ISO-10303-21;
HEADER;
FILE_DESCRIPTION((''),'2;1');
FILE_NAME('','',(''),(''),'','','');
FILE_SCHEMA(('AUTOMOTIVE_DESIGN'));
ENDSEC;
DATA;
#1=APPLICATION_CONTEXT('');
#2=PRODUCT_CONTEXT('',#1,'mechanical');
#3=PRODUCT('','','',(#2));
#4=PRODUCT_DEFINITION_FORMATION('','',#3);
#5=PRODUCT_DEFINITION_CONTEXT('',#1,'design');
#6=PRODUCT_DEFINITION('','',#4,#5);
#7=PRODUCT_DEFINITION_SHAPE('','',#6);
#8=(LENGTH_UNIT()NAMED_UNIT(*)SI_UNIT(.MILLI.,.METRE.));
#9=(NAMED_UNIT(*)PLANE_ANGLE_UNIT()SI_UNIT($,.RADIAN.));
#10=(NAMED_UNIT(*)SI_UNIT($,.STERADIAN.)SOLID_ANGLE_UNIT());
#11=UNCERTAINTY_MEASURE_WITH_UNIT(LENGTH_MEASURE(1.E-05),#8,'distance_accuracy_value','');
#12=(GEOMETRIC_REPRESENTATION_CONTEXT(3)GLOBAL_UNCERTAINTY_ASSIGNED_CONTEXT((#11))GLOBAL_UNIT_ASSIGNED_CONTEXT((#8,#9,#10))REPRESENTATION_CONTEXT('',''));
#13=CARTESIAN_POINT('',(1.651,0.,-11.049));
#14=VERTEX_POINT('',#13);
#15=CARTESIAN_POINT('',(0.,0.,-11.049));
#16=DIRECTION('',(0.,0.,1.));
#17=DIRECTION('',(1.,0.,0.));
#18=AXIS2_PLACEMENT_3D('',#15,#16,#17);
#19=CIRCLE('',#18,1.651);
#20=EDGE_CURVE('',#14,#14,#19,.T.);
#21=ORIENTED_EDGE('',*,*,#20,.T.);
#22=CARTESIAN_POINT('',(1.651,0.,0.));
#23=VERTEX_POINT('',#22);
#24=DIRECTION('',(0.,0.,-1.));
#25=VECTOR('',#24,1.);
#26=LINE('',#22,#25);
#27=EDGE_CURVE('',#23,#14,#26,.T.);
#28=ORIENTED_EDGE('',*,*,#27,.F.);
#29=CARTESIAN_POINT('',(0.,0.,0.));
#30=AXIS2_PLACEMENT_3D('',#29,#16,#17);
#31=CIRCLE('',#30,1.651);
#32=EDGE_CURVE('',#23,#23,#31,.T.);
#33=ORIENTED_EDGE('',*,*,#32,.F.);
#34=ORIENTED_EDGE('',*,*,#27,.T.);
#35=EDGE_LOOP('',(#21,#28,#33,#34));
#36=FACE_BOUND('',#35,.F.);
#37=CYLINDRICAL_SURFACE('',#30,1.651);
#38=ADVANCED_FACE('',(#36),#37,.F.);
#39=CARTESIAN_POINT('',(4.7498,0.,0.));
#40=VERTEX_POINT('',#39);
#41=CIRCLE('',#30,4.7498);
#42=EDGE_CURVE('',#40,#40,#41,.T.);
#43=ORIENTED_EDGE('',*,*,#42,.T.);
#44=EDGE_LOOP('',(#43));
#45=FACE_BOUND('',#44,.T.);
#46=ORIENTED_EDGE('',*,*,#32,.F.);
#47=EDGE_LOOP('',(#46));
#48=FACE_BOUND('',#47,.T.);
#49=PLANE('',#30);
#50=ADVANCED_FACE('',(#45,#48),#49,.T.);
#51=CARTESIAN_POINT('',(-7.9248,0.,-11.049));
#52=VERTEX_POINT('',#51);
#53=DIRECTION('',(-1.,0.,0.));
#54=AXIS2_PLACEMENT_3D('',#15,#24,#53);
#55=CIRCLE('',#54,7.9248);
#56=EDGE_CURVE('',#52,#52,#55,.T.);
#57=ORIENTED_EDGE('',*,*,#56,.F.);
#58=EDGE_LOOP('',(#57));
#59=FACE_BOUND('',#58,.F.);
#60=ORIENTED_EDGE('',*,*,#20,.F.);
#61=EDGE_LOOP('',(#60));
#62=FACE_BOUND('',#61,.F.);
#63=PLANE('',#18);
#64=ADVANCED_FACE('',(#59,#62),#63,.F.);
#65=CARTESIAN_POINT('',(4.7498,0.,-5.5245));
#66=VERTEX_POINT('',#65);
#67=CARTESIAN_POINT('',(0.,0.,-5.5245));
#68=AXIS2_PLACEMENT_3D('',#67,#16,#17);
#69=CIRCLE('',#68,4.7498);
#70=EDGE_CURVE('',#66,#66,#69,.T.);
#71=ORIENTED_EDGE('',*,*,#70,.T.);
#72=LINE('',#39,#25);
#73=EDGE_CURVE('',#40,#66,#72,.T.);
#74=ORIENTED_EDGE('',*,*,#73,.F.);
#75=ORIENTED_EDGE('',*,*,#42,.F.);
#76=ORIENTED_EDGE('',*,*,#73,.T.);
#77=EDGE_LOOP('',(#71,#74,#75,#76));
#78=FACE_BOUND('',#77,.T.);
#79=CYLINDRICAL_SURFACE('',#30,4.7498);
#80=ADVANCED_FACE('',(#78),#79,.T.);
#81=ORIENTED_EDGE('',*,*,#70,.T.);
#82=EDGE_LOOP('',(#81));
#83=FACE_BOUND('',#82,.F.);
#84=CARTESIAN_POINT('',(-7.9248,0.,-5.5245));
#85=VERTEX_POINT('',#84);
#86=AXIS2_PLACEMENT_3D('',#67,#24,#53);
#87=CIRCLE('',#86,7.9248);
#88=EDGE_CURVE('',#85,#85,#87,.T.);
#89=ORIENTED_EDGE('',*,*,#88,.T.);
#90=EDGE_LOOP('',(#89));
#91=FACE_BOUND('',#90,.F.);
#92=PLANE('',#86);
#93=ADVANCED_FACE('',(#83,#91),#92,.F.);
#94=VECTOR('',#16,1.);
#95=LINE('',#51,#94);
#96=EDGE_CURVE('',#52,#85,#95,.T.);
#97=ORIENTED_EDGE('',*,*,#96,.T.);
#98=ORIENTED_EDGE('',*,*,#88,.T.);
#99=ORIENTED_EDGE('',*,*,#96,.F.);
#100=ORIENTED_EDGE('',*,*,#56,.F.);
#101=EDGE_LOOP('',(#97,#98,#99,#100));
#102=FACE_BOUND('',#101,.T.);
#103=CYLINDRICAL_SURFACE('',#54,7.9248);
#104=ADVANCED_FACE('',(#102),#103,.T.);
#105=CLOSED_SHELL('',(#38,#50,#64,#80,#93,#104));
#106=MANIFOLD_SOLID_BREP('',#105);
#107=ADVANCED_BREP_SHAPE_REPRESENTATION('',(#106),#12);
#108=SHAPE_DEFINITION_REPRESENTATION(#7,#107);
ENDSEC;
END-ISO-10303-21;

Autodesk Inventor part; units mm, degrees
ref_plane "YZ Plane" through (0, 0, 0) normal (1, 0, 0) x (0, 1, 0)
ref_plane "XZ Plane" through (0, 0, 0) normal (0, 1, 0) x (-1, 0, 0)
ref_plane "XY Plane" through (0, 0, 0) normal (0, 0, 1) x (1, 0, 0)
sketch "Sketch4" plane through (0, 0, 0) normal (0, 0, 1) x (1, 0, 0)
  circle A0 centre (0, 0) radius 1.651
  circle A1 centre (0, 0) radius 4.7498
  dimension "d9" = 3.302
  dimension "d16" = 9.4996
extrude "Extrusion4" add sketch "Sketch4" against normal blind 11.049
sketch "Sketch5" plane through (0, 0, -11.049) normal (0, 0, -1) x (-1, 0, 0)
  circle A0 centre (0, 0) radius 4.7498 projected
  circle A1 centre (0, 0) radius 7.9248
  dimension "d13" = 3.175
extrude "Extrusion5" add sketch "Sketch5" against normal blind 5.5245
properties part number "T-Spacer 3 of 32 inch"
